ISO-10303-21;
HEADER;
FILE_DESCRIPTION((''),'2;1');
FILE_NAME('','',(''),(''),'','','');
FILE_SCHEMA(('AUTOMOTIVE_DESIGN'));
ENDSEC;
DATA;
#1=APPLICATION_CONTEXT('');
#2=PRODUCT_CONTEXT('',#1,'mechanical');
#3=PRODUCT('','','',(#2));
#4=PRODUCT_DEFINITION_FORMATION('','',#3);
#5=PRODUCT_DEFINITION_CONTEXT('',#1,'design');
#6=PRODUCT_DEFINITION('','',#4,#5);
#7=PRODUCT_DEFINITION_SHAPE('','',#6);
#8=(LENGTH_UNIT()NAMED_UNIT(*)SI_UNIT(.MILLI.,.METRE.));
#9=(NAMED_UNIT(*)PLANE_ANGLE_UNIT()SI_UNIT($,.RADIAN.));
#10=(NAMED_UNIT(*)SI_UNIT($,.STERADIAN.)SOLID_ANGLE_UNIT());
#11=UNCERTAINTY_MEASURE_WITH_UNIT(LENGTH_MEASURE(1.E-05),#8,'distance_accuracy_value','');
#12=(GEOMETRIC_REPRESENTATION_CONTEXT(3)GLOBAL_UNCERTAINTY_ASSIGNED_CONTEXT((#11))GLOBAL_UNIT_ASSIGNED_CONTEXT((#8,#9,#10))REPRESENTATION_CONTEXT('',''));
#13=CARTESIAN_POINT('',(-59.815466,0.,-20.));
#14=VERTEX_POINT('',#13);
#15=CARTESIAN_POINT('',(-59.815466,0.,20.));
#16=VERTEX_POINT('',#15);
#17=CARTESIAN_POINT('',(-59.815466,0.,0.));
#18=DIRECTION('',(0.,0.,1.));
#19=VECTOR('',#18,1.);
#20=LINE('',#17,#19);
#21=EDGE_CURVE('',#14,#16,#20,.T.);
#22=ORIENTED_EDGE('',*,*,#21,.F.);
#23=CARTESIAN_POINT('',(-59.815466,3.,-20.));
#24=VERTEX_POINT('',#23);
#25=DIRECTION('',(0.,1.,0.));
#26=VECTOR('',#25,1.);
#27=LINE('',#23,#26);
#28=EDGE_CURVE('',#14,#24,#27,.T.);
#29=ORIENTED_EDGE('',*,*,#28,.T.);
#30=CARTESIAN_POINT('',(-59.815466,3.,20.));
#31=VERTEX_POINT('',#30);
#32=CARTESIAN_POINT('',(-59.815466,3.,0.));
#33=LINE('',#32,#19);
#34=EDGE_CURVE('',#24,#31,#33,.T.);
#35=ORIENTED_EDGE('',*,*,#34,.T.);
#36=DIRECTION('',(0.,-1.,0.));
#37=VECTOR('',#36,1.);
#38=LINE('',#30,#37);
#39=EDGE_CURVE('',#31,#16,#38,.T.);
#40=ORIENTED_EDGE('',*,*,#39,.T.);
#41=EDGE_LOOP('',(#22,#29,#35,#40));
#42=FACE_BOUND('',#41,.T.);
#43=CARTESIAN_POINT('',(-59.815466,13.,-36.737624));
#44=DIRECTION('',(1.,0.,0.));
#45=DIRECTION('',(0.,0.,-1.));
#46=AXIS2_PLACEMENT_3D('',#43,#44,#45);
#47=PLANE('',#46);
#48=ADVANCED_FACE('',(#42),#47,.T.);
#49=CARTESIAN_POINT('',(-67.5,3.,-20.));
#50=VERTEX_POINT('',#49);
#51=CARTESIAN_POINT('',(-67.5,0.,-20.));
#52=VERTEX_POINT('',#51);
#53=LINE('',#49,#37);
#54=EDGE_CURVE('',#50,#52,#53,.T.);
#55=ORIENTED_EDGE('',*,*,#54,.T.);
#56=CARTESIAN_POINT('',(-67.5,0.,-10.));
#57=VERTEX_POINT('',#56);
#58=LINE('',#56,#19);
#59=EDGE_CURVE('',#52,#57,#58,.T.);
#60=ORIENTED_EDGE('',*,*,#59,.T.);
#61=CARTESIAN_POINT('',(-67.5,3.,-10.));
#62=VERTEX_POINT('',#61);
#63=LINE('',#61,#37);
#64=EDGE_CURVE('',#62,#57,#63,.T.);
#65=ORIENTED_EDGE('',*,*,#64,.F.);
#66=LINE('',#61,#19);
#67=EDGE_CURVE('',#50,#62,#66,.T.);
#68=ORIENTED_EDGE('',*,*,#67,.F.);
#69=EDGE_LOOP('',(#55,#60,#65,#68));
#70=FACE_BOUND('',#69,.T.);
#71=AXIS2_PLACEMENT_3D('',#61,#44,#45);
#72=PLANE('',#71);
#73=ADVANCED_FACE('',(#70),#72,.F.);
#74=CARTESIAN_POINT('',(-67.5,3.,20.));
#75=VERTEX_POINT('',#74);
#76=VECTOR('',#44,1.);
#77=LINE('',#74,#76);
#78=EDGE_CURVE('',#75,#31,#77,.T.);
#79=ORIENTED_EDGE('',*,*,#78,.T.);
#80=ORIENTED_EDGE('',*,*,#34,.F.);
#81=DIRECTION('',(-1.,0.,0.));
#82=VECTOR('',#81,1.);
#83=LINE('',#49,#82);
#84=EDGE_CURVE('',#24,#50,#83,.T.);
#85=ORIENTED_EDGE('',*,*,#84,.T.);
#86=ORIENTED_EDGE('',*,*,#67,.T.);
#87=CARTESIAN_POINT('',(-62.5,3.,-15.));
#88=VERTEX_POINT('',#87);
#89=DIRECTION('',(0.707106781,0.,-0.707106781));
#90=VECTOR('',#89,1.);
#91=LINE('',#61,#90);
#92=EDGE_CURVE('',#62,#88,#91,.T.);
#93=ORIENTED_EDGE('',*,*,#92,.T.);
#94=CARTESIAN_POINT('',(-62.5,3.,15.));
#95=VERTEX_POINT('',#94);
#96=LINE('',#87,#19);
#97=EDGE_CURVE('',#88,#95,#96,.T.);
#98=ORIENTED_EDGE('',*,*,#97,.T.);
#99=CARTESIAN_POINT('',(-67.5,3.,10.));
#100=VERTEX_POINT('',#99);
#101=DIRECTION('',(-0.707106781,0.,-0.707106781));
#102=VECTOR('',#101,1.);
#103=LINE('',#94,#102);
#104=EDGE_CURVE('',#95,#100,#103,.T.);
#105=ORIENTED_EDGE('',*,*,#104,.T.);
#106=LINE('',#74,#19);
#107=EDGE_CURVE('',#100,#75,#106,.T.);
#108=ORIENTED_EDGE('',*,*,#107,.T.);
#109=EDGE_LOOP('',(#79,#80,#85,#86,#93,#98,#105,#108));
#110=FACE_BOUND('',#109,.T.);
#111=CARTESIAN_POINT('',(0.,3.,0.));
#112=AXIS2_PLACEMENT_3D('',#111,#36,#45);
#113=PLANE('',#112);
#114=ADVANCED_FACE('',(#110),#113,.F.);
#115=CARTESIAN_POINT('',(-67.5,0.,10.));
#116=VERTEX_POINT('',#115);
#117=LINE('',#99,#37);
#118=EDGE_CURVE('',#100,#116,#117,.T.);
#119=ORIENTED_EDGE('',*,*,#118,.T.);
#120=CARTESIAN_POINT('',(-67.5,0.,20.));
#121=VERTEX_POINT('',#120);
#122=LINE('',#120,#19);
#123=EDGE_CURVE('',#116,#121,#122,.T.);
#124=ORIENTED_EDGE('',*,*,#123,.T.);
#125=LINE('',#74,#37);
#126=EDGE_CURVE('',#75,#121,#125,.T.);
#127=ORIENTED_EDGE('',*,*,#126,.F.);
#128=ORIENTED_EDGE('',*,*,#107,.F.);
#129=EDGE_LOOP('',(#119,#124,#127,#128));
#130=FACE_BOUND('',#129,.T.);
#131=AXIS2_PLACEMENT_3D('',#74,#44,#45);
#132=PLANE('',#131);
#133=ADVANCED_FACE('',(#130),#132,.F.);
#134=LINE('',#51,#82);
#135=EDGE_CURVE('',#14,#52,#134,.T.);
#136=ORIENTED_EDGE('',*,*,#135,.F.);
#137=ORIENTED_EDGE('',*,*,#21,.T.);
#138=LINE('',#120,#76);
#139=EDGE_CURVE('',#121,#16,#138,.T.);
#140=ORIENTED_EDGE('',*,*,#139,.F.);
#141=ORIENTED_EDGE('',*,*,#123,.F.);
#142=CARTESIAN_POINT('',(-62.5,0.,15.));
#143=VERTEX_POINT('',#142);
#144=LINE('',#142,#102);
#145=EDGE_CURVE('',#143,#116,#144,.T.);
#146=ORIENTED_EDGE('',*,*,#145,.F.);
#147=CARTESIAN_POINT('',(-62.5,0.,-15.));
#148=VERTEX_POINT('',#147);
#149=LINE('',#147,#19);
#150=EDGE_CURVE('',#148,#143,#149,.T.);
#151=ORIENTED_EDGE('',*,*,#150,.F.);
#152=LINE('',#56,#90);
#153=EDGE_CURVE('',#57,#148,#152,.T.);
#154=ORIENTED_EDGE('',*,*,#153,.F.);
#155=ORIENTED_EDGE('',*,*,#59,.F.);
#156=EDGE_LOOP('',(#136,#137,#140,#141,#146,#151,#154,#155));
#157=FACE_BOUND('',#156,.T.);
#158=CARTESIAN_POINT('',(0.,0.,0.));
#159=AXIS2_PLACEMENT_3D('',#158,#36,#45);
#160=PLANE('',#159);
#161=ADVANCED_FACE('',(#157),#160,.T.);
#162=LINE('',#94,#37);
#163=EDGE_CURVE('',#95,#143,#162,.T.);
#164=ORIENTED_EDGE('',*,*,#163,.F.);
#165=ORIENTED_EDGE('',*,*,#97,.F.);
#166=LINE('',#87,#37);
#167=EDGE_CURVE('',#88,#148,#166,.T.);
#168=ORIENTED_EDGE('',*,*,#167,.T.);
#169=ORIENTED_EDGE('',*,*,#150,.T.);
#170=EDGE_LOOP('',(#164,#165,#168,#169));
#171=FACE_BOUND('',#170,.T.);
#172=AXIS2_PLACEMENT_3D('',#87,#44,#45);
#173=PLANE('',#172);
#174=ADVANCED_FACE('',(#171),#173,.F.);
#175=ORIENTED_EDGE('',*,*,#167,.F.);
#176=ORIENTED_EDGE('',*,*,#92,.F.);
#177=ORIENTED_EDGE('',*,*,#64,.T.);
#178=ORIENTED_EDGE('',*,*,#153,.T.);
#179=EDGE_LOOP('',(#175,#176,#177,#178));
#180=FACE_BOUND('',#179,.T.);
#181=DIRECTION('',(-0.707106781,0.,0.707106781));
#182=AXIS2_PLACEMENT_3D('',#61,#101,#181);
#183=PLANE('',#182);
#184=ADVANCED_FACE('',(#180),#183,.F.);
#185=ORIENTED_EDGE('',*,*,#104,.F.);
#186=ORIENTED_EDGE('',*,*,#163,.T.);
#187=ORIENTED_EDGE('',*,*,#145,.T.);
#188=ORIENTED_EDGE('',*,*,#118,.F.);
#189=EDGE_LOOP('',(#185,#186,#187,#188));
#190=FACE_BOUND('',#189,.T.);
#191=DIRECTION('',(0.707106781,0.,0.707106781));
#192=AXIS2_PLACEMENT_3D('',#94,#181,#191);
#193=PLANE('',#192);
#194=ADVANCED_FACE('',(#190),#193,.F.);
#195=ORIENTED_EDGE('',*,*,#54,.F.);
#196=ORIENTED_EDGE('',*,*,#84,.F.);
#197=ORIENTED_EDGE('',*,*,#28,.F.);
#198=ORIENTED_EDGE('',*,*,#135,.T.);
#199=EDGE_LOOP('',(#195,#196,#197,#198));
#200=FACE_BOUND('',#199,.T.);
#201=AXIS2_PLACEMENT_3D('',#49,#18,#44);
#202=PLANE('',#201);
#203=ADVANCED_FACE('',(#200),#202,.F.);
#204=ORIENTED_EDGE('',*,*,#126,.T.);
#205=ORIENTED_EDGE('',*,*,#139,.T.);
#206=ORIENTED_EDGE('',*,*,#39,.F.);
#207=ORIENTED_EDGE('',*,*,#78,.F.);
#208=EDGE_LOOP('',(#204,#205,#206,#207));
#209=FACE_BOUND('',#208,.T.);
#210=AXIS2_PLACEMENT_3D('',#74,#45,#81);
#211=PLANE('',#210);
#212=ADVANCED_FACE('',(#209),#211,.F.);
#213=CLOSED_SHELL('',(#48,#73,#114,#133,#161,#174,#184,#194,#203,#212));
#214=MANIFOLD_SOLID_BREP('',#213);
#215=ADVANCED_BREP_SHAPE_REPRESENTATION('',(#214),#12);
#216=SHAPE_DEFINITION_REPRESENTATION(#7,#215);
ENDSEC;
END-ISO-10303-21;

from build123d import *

# Parameters (mm, degrees)
CROQUIS1_R                 = 11
CROQUIS1_R_2               = 2
CROQUIS1_R_3               = 1.937672591
CROQUIS1_W                 = 30
CROQUIS1_H                 = 3
SALIENTE_EXTRUIR1_DEPTH    = 3
CROQUIS2_R                 = 13
CROQUIS2_R_2               = 11
SALIENTE_EXTRUIR2_DEPTH    = 4
CROQUIS3_R                 = 13
CROQUIS3_R_2               = 9
SALIENTE_EXTRUIR3_DEPTH    = 2
CHAFL_N1_SIZE              = 2
CHAFL_N2_SIZE              = 10
CORTAR_EXTRUIR1_DEPTH      = 10
CORTAR_EXTRUIR1_DEPTH_BACK = 10
CROQUIS4_W                 = 138.754626828
CROQUIS4_H                 = 77.213714618


with BuildPart() as part:
    # Croquis1 → Saliente-Extruir1 (new body)
    with BuildSketch(Plane(origin=(0, 0, 0), x_dir=(1, 0, 0), z_dir=(0, 1, 0))):
        Polygon((-67.5, 10), (-62.5, 15), (-62.5, -15), (-67.5, -10), (-67.5, -20), (67.5, -20), (67.5, 20), (-67.5, 20), align=None)
        with Locations((46.713951104, 0)):
            Circle(CROQUIS1_R, mode=Mode.SUBTRACT)
        with Locations((-52.5, 0)):
            Circle(CROQUIS1_R_2, mode=Mode.SUBTRACT)
        with Locations((27.185770037, 0)):
            Circle(CROQUIS1_R_3, mode=Mode.SUBTRACT)
        with Locations((12.185770037, 0)):
            Circle(CROQUIS1_R_2, mode=Mode.SUBTRACT)
        with Locations((-27.5, 11)):
            Rectangle(CROQUIS1_W, CROQUIS1_H, mode=Mode.SUBTRACT)
        with Locations((-27.5, -11)):
            Rectangle(CROQUIS1_W, CROQUIS1_H, mode=Mode.SUBTRACT)
    extrude(amount=SALIENTE_EXTRUIR1_DEPTH)

    # Croquis2 → Saliente-Extruir2 (add)
    with BuildSketch(Plane(origin=(0, 3, 0), x_dir=(1, 0, 0), z_dir=(0, 1, 0))):
        with Locations((46.713951104, 0)):
            Circle(CROQUIS2_R)
        with Locations((46.713951104, 0)):
            Circle(CROQUIS2_R_2, mode=Mode.SUBTRACT)
    extrude(amount=SALIENTE_EXTRUIR2_DEPTH)

    # Croquis3 → Saliente-Extruir3 (add)
    with BuildSketch(Plane(origin=(0, 7, 0), x_dir=(1, 0, 0), z_dir=(0, 1, 0))):
        with Locations((46.713951104, 0)):
            Circle(CROQUIS3_R)
        with Locations((46.713951104, 0)):
            Circle(CROQUIS3_R_2, mode=Mode.SUBTRACT)
    extrude(amount=SALIENTE_EXTRUIR3_DEPTH)

    # Chaflán1
    chafl_n1_edges = [part.edges().sort_by_distance(p)[0] for p in [
        (33.713951104, 9, 0),
    ]]
    chamfer(chafl_n1_edges, length=CHAFL_N1_SIZE)

    # Chaflán2
    chafl_n2_edges = [part.edges().sort_by_distance(p)[0] for p in [
        (67.5, 1.5, -20),
        (67.5, 1.5, 20),
    ]]
    chamfer(chafl_n2_edges, length=CHAFL_N2_SIZE)

    # Croquis4 → Cortar-Extruir1 (cut, two sides: drawn at the far end of the back side and taken through both)
    with BuildSketch(Plane(origin=(0, 3, 0), x_dir=(1, 0, 0), z_dir=(0, 1, 0)).offset(-CORTAR_EXTRUIR1_DEPTH_BACK)):
        with Locations((9.561847341, -1.869233315)):
            Rectangle(CROQUIS4_W, CROQUIS4_H)
    extrude(amount=CORTAR_EXTRUIR1_DEPTH + CORTAR_EXTRUIR1_DEPTH_BACK, mode=Mode.SUBTRACT)


solid = part.part
